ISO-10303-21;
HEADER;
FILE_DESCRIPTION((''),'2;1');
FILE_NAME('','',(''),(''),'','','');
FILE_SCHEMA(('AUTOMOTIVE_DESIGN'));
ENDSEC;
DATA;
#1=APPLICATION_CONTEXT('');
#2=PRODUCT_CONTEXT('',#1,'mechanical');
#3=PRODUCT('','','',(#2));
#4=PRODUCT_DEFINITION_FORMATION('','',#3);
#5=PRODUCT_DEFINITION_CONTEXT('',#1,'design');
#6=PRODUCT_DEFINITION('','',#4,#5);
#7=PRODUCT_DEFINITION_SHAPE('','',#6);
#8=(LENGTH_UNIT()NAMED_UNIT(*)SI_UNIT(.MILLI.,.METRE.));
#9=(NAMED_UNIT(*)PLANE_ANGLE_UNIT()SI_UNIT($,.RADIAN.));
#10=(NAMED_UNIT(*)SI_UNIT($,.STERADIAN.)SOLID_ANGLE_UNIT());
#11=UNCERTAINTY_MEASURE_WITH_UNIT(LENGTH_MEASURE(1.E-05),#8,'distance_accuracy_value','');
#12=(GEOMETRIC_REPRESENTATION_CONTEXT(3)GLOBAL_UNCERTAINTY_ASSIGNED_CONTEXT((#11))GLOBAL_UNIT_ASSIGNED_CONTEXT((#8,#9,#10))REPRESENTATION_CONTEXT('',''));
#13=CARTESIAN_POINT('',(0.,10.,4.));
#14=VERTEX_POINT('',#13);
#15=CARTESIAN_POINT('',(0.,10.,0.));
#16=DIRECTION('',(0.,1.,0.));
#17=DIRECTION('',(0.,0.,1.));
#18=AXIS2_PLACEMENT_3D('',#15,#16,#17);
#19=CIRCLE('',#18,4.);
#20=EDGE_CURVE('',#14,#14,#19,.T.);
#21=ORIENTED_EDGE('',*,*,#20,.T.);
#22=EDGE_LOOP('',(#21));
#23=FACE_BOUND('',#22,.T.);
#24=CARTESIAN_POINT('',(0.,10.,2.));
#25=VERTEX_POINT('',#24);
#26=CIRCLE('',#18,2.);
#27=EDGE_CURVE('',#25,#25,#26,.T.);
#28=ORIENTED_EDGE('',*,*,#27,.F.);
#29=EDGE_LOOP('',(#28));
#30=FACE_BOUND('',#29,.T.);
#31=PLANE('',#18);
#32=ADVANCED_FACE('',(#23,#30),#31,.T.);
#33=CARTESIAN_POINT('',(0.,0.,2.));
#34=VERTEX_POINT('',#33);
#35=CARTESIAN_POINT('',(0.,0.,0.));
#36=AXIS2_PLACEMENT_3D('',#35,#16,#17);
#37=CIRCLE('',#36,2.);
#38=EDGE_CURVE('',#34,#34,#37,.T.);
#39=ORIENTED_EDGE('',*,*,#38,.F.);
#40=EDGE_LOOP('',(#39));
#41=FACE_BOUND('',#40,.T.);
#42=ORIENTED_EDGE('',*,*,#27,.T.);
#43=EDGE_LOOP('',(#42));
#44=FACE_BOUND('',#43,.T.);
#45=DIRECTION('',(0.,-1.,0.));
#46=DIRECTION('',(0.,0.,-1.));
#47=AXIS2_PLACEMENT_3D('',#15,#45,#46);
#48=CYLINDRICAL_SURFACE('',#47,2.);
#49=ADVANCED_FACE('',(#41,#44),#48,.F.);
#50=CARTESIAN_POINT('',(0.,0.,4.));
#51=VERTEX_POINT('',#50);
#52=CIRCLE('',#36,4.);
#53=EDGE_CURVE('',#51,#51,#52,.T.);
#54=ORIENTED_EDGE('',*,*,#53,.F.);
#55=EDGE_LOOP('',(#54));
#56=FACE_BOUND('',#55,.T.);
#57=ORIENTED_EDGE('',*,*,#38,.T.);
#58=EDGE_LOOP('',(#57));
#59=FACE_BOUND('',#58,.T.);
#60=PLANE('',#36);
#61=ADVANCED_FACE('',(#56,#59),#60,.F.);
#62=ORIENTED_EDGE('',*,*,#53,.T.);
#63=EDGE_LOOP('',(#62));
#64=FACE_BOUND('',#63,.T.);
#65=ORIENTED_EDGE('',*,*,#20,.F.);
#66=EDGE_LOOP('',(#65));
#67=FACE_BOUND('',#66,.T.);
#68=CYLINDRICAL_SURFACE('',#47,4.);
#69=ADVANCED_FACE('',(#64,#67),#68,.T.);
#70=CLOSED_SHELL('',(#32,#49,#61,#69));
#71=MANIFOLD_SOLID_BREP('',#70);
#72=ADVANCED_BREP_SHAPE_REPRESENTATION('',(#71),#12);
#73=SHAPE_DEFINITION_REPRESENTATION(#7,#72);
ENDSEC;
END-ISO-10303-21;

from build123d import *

# Parameters (mm, degrees)
SKETCH1_R           = 4
SKETCH1_R_2         = 2
BOSS_EXTRUDE1_DEPTH = 10


with BuildPart() as part:
    # Sketch1 → Boss-Extrude1 (new body)
    with BuildSketch(Plane(origin=(0, 0, 0), x_dir=(1, 0, 0), z_dir=(0, 1, 0))):
        Circle(SKETCH1_R)
        Circle(SKETCH1_R_2, mode=Mode.SUBTRACT)
    extrude(amount=BOSS_EXTRUDE1_DEPTH)


solid = part.part
